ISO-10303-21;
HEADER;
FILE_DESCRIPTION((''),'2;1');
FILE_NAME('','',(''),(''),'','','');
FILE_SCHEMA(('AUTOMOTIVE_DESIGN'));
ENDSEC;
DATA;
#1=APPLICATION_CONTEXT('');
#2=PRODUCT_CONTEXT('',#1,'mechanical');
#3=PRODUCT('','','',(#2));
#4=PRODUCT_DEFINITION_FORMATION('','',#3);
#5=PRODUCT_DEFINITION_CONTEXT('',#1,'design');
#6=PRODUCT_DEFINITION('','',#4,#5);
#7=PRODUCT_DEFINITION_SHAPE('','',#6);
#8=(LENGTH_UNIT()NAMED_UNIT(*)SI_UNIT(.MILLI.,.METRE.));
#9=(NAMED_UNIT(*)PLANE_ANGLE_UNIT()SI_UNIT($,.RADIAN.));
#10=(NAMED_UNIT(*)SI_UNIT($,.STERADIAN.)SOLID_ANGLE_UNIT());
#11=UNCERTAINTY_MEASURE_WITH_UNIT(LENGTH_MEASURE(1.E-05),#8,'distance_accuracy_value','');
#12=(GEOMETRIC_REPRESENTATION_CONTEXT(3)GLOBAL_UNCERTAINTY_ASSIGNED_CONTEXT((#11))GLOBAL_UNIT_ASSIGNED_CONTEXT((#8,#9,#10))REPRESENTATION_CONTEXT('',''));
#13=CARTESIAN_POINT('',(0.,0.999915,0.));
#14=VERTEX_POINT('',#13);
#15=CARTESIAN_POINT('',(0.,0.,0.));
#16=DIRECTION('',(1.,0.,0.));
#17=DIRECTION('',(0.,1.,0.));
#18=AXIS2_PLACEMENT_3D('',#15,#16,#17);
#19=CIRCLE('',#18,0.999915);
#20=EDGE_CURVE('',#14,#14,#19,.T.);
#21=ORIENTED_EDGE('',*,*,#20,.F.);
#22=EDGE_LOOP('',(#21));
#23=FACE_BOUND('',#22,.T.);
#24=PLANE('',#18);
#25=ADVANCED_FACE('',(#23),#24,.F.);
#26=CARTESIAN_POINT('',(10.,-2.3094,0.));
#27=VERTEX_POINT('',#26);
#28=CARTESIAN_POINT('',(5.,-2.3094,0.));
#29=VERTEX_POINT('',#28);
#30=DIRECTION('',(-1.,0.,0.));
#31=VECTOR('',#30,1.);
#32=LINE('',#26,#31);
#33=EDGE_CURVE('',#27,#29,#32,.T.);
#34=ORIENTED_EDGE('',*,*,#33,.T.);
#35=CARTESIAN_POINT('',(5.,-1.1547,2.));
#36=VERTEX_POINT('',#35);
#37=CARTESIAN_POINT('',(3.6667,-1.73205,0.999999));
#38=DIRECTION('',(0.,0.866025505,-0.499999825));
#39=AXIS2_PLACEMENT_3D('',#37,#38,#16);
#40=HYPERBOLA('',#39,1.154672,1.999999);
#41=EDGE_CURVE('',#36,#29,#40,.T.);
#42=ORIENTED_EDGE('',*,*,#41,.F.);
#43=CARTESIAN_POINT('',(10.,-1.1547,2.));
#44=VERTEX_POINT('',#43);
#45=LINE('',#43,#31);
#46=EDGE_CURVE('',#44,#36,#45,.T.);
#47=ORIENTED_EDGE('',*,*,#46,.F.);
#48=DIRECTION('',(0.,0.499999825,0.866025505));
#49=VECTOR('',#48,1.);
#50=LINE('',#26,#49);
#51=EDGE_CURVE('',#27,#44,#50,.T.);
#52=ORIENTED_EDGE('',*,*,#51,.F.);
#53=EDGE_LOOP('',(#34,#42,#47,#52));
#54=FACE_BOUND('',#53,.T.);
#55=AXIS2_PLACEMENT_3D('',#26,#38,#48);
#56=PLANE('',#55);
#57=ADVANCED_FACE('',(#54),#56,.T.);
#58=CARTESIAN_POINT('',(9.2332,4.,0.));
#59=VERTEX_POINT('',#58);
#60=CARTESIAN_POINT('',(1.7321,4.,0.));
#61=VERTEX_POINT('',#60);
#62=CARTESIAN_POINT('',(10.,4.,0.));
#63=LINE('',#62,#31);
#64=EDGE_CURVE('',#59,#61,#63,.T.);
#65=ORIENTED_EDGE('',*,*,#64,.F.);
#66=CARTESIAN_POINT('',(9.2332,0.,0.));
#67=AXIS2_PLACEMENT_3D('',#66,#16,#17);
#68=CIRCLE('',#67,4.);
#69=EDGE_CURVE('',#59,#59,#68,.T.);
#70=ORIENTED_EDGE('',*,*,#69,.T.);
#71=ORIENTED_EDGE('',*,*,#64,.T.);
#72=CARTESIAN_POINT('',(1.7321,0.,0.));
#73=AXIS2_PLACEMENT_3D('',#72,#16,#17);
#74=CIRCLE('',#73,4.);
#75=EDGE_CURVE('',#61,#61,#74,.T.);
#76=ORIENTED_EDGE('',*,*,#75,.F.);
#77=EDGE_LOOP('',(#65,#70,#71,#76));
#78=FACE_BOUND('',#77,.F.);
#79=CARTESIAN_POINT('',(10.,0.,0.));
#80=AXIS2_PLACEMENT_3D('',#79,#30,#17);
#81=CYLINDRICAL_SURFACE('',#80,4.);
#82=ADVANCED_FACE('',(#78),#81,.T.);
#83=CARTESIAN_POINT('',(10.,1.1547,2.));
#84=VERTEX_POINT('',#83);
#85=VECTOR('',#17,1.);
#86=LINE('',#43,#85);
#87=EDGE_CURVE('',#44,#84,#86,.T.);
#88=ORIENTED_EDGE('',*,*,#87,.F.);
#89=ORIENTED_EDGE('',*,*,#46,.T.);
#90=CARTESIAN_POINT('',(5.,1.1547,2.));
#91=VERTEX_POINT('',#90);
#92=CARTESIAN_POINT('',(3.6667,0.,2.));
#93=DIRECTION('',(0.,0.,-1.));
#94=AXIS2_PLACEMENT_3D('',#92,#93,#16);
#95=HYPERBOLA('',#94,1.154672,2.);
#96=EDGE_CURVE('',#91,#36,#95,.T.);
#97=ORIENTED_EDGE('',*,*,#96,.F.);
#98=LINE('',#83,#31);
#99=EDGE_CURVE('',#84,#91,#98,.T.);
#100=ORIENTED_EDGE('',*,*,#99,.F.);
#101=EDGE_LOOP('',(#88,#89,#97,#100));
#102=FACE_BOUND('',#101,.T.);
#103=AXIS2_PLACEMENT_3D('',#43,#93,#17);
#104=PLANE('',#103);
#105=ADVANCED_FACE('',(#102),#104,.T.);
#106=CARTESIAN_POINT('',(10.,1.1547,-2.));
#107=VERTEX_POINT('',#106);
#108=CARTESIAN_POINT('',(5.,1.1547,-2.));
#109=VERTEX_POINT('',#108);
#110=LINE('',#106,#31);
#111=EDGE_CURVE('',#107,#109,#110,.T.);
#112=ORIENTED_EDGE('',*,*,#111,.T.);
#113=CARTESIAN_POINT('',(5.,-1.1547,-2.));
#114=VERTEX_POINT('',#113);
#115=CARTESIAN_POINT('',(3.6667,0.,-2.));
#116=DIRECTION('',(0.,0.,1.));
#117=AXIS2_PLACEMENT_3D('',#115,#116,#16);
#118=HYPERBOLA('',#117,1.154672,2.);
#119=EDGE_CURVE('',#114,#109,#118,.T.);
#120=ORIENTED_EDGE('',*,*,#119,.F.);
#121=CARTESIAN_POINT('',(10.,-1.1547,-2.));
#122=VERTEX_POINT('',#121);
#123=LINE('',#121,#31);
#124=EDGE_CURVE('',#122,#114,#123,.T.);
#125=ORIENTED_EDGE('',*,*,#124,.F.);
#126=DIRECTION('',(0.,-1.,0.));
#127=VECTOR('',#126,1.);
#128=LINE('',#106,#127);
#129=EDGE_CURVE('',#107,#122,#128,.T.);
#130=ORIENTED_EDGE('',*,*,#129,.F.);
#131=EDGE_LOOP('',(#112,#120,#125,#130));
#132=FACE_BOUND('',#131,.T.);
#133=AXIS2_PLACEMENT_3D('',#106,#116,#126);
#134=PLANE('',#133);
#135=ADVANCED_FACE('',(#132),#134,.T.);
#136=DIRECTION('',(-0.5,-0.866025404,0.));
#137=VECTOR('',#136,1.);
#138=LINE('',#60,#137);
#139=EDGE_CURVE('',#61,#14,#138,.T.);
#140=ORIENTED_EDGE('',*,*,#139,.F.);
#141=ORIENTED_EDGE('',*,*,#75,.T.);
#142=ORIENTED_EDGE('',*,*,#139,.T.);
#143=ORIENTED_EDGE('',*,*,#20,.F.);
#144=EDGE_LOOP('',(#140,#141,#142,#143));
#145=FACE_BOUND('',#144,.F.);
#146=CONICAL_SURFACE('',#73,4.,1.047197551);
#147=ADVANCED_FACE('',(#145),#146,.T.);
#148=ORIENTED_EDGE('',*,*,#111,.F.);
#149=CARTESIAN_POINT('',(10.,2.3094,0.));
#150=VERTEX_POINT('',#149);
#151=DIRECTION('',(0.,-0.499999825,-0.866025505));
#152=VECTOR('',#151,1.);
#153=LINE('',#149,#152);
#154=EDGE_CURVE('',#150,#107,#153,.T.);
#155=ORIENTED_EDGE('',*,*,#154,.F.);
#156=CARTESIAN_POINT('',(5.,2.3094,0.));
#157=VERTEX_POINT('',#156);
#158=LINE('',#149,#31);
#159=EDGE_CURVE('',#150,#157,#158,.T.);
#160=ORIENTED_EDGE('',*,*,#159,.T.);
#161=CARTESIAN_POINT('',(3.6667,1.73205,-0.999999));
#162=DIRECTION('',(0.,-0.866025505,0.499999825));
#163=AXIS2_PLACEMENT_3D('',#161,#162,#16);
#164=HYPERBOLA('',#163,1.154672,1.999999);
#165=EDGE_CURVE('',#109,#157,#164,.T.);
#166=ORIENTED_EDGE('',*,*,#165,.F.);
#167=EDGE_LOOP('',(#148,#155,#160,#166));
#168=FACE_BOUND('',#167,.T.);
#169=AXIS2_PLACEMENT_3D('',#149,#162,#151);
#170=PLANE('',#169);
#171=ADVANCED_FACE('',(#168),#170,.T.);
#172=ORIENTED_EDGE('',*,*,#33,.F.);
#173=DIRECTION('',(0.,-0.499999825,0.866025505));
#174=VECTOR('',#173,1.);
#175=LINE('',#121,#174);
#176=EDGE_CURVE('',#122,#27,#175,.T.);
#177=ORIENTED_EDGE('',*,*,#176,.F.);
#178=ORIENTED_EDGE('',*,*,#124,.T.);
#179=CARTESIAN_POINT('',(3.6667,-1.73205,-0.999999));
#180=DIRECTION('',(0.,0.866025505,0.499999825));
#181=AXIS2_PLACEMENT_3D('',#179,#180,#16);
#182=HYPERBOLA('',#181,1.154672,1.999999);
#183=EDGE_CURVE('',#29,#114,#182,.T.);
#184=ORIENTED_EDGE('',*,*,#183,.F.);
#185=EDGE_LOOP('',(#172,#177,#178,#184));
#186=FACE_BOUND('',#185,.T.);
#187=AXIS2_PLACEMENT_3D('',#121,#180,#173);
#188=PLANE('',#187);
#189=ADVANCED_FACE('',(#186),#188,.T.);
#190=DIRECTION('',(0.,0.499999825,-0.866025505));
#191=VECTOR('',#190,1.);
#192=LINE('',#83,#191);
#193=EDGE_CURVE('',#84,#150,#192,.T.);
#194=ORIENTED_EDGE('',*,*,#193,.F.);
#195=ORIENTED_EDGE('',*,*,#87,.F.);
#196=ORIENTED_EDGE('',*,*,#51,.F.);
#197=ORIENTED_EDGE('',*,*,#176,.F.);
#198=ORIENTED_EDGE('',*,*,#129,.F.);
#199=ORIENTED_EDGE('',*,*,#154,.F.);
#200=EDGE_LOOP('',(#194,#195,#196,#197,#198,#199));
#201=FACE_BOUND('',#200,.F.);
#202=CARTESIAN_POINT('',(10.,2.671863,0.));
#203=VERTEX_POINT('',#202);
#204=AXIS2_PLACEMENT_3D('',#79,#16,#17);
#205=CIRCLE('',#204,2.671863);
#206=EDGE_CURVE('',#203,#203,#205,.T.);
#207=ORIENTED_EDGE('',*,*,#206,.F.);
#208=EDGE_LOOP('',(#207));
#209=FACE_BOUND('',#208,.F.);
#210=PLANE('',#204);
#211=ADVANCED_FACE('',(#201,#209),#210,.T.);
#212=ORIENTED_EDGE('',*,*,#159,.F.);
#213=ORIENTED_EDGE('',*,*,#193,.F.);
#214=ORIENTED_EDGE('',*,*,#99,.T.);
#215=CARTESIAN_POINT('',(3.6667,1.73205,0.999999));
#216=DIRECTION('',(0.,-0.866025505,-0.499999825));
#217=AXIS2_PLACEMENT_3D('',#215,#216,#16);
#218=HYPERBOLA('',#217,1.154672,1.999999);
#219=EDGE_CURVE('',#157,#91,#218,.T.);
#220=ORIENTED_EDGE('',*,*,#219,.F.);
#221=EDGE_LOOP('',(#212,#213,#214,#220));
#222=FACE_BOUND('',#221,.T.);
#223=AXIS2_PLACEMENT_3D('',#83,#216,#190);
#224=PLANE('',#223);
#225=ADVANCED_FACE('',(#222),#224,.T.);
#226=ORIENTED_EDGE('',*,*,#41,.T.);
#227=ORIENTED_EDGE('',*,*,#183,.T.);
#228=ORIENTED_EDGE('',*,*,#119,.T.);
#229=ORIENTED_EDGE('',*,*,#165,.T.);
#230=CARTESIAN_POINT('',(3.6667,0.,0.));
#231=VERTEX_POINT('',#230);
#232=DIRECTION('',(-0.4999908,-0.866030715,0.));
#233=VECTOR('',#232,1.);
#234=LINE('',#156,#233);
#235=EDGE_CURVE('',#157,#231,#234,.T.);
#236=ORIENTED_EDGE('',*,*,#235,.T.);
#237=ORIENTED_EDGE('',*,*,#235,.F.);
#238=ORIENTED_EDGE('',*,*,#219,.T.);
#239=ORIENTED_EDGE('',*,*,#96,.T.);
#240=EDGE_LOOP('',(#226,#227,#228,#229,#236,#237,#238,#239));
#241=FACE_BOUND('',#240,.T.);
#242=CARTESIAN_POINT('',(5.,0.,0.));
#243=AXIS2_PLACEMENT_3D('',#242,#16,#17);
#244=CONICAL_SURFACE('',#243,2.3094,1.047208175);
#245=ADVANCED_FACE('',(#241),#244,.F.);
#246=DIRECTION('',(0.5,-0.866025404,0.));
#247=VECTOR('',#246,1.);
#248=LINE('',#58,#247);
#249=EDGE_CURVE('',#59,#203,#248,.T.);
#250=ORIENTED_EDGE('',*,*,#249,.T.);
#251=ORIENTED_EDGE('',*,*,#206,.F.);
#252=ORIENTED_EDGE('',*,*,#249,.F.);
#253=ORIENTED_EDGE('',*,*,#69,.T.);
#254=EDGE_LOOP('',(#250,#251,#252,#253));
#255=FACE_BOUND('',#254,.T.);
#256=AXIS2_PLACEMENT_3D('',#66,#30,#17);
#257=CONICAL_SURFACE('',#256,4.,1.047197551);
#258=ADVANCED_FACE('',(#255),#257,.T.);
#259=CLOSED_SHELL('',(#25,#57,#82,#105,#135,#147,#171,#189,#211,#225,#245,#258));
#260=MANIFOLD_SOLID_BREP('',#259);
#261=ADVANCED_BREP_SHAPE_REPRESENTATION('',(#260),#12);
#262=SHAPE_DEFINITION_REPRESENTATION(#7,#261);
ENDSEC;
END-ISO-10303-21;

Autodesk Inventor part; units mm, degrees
ref_plane "YZ Plane" through (0, 0, 0) normal (1, 0, 0) x (0, 1, 0)
ref_plane "XZ Plane" through (0, 0, 0) normal (0, 1, 0) x (-1, 0, 0)
sketch "Эскиз1" plane through (0, 0, 0) normal (0, 0, 1) x (1, 0, 0)
  line L0 (0, 0) -> (3.6667, 0)
  line L1 (10, 2.3094) -> (10, 4)
  line L2 (10, 4) -> (0, 4)
  line L3 (10, 2.3094) -> (5, 2.3094)
  line L4 (5, 2.3094) -> (3.6667, 0)
  line L5 (0, -0.8) -> (0, 4.8) projected
  line L6 (0, 4) -> (0, 0)
  dimension "d0" = 5
  dimension "d1" = 60
  dimension "d2" = 8
  dimension "d3" = 4.6188
  dimension "d5" = 10
revolve "Базовый элемент" add sketch "Эскиз1" angle 360 about axis through (0, 0, 0) along (1, 0, 0)
sketch "Эскиз2" plane through (10, 0, 0) normal (1, 0, 0) x (0, 1, 0)
  circle A0 centre (0, 0) radius 2.3094 projected
  line L0 (-1.1547, 2) -> (1.1547, 2)
  line L1 (1.1547, 2) -> (2.3094, 0)
  line L2 (2.3094, 0) -> (1.1547, -2)
  line L3 (1.1547, -2) -> (-1.1547, -2)
  line L4 (-1.1547, -2) -> (-2.3094, 0)
  line L5 (-2.3094, 0) -> (-1.1547, 2)
  point P0 (0, 0)
  point P1 (0, 0)
extrude "Паз" add sketch "Эскиз2" against normal up to next contours L1 A0 | A0 L2 | L0 A0 | A0 L3 | L5 A0 | A0 L4
thread "Резьба" size "M8x1.25" class "6g" standard "ISO Metric profile" length 10
chamfer "Фаска1" distance 1.7321 angle 60 1 edges at (0, -4, 0) measured on face at (6.6667, 3.987, -0.3219)
chamfer "Фаска2" distance 0.7668 angle 60 1 edges at (10, -4, 0) measured on face at (7.244, 3.9482, -0.6416)
ref_plane "Work Plane1" through (5, 0, 0) normal (0, 0, 1) x (1, 0, 0)
equation "\"d0\" = INTI"
equation "\"d2\" = NND"
equation "\"d3\" = 1.1547 * SW"
equation "\"d5\" = NLG"
equation "\"d12\" = NLG"
equation "\"d9\" = FAWI"
equation "\"d10\" = -0.5 * GD1 + 0.5 * NND"
equation "\"d11\" = FAWI"
equation "\"d35\" = -0.5 * GD1 + 0.5 * NND"
equation "\"NND\" = 8"
equation "\"NLG\" = 10"
equation "\"INTI\" = 5"
equation "\"FAWI\" = 60deg"
equation "\"SW\" = 4"
equation "\"GD1\" = THREADDIA - 1.2269 * PTC"
equation "\"FAWI1\" = 45deg"
equation "\"SPD\" = 2"
equation "\"GUL\" = 0.61345 * PTC"
equation "\"TOA\" = 30deg"
equation "\"THREADDIA\" = 8"
equation "\"PTC\" = 1.25"
equation "\"GAL\" = 0.61345 * PTC"
equation "\"E0\" = 1.155 * SW"
properties part number "AS 1421 - M8x10 конический" material "Сталь, мягкая"
